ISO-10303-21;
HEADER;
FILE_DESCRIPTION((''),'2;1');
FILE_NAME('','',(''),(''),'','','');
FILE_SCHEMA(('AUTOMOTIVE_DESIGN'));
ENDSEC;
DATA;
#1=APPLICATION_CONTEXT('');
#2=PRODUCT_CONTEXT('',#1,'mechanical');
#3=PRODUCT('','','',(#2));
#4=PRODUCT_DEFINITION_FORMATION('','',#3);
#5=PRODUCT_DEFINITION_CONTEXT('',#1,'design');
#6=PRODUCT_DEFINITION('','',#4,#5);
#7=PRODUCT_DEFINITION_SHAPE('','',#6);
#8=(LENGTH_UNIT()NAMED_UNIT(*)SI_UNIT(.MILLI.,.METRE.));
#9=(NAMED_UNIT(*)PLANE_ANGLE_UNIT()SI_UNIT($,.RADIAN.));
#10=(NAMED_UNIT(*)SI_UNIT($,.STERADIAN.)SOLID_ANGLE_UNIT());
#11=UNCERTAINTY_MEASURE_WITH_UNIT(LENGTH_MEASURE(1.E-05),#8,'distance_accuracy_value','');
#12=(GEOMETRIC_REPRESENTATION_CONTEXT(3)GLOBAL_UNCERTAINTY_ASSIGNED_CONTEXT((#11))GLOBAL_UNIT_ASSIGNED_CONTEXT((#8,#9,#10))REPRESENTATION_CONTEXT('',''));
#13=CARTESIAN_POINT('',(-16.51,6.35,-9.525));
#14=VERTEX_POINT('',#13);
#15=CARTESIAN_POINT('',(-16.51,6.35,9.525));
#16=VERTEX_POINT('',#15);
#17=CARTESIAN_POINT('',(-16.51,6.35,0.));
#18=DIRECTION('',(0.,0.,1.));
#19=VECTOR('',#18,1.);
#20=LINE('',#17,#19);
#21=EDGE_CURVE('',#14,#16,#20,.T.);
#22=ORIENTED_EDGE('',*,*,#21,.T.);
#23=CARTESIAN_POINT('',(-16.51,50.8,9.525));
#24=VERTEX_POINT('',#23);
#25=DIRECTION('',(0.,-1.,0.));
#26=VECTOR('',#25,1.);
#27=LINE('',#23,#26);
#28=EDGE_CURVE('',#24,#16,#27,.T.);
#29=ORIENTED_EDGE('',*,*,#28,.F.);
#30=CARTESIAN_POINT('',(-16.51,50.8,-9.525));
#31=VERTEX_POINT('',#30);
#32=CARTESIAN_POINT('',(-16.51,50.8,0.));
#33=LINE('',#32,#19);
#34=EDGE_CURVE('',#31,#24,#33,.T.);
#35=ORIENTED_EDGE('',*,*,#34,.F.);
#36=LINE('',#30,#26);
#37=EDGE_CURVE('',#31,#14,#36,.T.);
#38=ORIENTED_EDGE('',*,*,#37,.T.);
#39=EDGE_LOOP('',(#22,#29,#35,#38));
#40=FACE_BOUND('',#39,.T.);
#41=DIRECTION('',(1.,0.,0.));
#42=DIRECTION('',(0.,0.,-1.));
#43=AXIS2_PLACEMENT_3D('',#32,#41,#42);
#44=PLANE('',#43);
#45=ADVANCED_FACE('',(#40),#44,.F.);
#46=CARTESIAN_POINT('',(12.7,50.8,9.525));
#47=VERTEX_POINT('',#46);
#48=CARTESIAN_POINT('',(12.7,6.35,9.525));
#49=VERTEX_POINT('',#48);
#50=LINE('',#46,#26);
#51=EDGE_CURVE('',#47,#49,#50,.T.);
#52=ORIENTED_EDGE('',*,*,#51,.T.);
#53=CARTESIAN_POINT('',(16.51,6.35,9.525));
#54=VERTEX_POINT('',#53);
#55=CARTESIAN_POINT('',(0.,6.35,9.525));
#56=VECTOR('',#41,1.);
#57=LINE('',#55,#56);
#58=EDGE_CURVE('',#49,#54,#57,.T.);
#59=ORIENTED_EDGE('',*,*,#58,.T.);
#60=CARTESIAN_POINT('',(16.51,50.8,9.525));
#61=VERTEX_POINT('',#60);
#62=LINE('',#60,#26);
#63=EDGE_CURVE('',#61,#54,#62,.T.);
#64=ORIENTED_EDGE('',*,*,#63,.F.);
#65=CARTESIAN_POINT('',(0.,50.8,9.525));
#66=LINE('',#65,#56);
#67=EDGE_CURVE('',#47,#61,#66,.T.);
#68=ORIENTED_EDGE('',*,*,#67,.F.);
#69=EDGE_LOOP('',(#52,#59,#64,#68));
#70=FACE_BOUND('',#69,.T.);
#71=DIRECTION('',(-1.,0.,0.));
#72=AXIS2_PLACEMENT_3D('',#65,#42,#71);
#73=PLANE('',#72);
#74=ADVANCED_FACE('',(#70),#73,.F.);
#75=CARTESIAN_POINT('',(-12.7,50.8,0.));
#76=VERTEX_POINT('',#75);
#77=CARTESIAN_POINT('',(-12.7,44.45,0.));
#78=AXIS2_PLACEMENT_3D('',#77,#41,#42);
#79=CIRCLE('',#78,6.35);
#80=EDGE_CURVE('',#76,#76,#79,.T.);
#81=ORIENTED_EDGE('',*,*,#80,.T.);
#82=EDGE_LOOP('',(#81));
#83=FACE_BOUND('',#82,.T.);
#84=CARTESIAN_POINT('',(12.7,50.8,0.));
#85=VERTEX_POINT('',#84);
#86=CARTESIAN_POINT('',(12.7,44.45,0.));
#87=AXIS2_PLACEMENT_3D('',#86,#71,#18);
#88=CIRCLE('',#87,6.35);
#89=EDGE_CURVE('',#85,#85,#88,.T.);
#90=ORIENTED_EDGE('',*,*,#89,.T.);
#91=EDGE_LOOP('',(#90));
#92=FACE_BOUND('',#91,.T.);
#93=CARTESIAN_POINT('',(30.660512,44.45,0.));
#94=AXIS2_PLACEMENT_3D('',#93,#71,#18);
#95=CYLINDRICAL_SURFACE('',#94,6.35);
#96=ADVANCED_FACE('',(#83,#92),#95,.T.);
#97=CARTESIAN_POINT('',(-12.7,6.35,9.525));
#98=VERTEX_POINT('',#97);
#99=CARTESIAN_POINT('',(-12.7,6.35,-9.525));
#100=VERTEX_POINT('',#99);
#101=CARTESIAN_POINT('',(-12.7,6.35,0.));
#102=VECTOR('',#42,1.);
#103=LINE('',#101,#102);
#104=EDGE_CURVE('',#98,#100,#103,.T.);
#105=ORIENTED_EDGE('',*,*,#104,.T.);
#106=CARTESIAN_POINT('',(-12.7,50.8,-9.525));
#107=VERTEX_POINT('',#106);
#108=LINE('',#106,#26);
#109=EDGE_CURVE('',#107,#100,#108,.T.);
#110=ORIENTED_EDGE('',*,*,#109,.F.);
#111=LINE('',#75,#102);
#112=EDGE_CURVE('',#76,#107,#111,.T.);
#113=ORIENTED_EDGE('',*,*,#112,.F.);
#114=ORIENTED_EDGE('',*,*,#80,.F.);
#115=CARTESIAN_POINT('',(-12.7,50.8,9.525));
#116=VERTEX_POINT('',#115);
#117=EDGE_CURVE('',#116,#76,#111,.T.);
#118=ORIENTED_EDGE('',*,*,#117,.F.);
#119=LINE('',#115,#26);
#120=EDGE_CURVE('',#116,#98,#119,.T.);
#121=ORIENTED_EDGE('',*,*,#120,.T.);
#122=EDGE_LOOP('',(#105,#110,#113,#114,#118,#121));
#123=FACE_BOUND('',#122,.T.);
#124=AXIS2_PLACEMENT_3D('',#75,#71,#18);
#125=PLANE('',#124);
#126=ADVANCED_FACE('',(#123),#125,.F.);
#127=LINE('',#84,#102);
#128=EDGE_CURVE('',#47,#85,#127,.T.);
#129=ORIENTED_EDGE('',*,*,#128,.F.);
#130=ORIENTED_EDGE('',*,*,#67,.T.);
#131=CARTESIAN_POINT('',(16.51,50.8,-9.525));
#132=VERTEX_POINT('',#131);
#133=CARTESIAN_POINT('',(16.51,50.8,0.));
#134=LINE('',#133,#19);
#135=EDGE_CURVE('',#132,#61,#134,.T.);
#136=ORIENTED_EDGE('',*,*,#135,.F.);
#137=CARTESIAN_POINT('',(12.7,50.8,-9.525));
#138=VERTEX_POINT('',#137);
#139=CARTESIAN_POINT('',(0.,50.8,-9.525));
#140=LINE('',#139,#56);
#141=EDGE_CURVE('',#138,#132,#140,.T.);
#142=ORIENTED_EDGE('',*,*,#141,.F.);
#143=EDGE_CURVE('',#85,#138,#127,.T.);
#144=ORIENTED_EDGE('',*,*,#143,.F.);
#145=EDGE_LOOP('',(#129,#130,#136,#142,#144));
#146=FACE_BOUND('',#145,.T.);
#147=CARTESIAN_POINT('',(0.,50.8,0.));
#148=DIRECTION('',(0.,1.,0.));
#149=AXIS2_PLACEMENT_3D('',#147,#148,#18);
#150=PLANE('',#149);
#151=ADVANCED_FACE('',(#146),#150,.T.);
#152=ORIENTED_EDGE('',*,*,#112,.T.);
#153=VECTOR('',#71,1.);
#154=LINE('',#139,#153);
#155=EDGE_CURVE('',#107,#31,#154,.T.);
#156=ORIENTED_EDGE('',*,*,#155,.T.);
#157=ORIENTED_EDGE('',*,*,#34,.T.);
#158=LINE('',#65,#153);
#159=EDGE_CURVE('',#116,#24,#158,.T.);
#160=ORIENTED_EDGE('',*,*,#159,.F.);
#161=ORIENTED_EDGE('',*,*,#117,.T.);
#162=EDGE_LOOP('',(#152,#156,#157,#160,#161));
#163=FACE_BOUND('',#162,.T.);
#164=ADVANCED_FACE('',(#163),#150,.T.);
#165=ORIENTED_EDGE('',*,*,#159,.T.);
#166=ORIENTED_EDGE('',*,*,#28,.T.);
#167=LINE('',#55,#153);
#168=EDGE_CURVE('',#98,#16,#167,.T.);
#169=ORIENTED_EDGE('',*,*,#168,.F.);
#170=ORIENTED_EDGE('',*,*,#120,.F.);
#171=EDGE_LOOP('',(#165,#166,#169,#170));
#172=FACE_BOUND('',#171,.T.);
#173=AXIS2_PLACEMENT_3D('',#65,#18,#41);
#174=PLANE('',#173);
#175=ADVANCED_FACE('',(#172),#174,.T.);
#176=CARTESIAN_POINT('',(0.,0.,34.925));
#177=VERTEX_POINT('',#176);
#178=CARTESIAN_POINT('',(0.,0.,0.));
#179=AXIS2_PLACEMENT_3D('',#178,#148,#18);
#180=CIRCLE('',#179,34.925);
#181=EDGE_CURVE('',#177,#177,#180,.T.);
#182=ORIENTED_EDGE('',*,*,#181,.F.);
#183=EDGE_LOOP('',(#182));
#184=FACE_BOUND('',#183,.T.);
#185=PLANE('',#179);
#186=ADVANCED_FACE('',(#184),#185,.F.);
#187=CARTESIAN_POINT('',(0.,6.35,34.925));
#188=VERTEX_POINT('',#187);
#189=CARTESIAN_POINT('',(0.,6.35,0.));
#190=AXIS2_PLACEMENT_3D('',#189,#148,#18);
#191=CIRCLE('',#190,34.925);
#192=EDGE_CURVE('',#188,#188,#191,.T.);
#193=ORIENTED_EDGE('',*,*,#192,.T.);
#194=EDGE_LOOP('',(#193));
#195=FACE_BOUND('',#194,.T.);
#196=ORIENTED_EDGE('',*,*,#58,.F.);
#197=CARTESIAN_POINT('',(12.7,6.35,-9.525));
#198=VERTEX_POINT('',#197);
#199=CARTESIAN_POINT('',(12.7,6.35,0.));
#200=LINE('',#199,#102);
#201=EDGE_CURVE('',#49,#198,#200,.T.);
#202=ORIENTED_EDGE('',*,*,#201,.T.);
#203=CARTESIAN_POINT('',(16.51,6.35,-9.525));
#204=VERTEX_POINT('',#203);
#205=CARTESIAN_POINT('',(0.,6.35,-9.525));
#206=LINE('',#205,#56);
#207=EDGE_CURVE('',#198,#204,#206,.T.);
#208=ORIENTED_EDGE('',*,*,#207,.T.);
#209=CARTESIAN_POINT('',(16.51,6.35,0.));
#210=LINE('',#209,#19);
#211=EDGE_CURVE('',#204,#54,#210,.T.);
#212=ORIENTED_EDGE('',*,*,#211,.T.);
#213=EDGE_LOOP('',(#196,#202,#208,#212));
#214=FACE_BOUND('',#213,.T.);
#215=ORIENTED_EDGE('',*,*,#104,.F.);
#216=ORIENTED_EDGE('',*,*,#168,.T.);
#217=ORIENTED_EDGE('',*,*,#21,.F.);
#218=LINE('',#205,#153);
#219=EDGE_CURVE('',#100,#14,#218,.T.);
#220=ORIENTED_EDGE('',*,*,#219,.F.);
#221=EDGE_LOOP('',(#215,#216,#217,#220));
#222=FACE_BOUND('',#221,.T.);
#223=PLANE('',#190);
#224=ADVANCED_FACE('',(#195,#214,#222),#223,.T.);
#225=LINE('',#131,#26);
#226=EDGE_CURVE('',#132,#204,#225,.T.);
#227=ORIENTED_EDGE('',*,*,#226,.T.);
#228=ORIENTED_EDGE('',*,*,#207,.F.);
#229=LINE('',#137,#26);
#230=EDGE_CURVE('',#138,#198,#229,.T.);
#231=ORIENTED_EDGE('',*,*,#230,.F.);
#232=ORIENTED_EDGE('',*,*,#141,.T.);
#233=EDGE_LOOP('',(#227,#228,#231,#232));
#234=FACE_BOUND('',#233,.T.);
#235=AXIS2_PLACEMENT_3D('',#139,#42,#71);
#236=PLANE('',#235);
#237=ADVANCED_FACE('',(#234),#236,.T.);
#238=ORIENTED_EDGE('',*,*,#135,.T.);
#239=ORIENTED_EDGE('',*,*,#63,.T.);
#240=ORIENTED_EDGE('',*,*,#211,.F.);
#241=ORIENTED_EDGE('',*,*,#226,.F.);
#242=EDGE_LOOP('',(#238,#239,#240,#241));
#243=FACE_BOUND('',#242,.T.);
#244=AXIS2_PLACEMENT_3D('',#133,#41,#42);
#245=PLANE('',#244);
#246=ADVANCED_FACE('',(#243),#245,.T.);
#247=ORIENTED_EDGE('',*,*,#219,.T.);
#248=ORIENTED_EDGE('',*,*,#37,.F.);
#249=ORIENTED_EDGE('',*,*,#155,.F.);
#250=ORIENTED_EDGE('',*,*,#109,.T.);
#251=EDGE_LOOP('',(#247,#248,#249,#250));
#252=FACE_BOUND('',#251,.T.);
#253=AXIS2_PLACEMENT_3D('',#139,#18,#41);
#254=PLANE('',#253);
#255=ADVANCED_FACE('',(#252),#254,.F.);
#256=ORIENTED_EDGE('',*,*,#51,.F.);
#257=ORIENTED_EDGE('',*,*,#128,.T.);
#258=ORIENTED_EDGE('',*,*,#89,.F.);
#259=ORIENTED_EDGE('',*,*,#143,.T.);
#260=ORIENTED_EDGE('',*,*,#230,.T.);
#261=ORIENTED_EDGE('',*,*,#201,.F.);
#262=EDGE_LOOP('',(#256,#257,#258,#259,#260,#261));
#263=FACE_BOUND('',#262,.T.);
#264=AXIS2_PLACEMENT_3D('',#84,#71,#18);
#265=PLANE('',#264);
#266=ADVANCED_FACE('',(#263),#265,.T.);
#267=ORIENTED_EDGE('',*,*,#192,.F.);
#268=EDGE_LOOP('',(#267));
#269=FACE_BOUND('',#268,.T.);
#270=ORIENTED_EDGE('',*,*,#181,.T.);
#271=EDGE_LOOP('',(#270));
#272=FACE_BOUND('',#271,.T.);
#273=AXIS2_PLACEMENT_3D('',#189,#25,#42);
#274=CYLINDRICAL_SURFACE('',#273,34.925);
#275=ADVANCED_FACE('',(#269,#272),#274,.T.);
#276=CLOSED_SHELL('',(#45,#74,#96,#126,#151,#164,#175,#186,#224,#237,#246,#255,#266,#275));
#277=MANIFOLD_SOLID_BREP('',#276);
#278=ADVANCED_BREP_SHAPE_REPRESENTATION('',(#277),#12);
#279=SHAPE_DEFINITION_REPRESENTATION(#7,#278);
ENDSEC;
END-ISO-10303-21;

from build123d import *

# Parameters (mm, degrees)
SKETCH1_R           = 34.925
BOSS_EXTRUDE1_DEPTH = 6.35
SKETCH2_W           = 3.81
SKETCH2_H           = 19.05
BOSS_EXTRUDE2_DEPTH = 44.45
SKETCH3_R           = 6.35
BOSS_EXTRUDE3_DEPTH = 25.4


with BuildPart() as part:
    # Sketch1 → Boss-Extrude1 (new body)
    with BuildSketch(Plane(origin=(0, 0, 0), x_dir=(1, 0, 0), z_dir=(0, 1, 0))):
        Circle(SKETCH1_R)
    extrude(amount=BOSS_EXTRUDE1_DEPTH)

    # Sketch2 → Boss-Extrude2 (add)
    with BuildSketch(Plane(origin=(0, 6.35, 0), x_dir=(1, 0, 0), z_dir=(0, 1, 0))):
        with Locations((-14.605, 0)):
            Rectangle(SKETCH2_W, SKETCH2_H)
        with Locations((14.605, 0)):
            Rectangle(SKETCH2_W, SKETCH2_H)
    extrude(amount=BOSS_EXTRUDE2_DEPTH)

    # Sketch3 → Boss-Extrude3 (add)
    with BuildSketch(Plane(origin=(-12.7, 0, 0), x_dir=(0, 0, -1), z_dir=(1, 0, 0))):
        with Locations((0, 44.45)):
            Circle(SKETCH3_R)
    extrude(amount=BOSS_EXTRUDE3_DEPTH)


solid = part.part
